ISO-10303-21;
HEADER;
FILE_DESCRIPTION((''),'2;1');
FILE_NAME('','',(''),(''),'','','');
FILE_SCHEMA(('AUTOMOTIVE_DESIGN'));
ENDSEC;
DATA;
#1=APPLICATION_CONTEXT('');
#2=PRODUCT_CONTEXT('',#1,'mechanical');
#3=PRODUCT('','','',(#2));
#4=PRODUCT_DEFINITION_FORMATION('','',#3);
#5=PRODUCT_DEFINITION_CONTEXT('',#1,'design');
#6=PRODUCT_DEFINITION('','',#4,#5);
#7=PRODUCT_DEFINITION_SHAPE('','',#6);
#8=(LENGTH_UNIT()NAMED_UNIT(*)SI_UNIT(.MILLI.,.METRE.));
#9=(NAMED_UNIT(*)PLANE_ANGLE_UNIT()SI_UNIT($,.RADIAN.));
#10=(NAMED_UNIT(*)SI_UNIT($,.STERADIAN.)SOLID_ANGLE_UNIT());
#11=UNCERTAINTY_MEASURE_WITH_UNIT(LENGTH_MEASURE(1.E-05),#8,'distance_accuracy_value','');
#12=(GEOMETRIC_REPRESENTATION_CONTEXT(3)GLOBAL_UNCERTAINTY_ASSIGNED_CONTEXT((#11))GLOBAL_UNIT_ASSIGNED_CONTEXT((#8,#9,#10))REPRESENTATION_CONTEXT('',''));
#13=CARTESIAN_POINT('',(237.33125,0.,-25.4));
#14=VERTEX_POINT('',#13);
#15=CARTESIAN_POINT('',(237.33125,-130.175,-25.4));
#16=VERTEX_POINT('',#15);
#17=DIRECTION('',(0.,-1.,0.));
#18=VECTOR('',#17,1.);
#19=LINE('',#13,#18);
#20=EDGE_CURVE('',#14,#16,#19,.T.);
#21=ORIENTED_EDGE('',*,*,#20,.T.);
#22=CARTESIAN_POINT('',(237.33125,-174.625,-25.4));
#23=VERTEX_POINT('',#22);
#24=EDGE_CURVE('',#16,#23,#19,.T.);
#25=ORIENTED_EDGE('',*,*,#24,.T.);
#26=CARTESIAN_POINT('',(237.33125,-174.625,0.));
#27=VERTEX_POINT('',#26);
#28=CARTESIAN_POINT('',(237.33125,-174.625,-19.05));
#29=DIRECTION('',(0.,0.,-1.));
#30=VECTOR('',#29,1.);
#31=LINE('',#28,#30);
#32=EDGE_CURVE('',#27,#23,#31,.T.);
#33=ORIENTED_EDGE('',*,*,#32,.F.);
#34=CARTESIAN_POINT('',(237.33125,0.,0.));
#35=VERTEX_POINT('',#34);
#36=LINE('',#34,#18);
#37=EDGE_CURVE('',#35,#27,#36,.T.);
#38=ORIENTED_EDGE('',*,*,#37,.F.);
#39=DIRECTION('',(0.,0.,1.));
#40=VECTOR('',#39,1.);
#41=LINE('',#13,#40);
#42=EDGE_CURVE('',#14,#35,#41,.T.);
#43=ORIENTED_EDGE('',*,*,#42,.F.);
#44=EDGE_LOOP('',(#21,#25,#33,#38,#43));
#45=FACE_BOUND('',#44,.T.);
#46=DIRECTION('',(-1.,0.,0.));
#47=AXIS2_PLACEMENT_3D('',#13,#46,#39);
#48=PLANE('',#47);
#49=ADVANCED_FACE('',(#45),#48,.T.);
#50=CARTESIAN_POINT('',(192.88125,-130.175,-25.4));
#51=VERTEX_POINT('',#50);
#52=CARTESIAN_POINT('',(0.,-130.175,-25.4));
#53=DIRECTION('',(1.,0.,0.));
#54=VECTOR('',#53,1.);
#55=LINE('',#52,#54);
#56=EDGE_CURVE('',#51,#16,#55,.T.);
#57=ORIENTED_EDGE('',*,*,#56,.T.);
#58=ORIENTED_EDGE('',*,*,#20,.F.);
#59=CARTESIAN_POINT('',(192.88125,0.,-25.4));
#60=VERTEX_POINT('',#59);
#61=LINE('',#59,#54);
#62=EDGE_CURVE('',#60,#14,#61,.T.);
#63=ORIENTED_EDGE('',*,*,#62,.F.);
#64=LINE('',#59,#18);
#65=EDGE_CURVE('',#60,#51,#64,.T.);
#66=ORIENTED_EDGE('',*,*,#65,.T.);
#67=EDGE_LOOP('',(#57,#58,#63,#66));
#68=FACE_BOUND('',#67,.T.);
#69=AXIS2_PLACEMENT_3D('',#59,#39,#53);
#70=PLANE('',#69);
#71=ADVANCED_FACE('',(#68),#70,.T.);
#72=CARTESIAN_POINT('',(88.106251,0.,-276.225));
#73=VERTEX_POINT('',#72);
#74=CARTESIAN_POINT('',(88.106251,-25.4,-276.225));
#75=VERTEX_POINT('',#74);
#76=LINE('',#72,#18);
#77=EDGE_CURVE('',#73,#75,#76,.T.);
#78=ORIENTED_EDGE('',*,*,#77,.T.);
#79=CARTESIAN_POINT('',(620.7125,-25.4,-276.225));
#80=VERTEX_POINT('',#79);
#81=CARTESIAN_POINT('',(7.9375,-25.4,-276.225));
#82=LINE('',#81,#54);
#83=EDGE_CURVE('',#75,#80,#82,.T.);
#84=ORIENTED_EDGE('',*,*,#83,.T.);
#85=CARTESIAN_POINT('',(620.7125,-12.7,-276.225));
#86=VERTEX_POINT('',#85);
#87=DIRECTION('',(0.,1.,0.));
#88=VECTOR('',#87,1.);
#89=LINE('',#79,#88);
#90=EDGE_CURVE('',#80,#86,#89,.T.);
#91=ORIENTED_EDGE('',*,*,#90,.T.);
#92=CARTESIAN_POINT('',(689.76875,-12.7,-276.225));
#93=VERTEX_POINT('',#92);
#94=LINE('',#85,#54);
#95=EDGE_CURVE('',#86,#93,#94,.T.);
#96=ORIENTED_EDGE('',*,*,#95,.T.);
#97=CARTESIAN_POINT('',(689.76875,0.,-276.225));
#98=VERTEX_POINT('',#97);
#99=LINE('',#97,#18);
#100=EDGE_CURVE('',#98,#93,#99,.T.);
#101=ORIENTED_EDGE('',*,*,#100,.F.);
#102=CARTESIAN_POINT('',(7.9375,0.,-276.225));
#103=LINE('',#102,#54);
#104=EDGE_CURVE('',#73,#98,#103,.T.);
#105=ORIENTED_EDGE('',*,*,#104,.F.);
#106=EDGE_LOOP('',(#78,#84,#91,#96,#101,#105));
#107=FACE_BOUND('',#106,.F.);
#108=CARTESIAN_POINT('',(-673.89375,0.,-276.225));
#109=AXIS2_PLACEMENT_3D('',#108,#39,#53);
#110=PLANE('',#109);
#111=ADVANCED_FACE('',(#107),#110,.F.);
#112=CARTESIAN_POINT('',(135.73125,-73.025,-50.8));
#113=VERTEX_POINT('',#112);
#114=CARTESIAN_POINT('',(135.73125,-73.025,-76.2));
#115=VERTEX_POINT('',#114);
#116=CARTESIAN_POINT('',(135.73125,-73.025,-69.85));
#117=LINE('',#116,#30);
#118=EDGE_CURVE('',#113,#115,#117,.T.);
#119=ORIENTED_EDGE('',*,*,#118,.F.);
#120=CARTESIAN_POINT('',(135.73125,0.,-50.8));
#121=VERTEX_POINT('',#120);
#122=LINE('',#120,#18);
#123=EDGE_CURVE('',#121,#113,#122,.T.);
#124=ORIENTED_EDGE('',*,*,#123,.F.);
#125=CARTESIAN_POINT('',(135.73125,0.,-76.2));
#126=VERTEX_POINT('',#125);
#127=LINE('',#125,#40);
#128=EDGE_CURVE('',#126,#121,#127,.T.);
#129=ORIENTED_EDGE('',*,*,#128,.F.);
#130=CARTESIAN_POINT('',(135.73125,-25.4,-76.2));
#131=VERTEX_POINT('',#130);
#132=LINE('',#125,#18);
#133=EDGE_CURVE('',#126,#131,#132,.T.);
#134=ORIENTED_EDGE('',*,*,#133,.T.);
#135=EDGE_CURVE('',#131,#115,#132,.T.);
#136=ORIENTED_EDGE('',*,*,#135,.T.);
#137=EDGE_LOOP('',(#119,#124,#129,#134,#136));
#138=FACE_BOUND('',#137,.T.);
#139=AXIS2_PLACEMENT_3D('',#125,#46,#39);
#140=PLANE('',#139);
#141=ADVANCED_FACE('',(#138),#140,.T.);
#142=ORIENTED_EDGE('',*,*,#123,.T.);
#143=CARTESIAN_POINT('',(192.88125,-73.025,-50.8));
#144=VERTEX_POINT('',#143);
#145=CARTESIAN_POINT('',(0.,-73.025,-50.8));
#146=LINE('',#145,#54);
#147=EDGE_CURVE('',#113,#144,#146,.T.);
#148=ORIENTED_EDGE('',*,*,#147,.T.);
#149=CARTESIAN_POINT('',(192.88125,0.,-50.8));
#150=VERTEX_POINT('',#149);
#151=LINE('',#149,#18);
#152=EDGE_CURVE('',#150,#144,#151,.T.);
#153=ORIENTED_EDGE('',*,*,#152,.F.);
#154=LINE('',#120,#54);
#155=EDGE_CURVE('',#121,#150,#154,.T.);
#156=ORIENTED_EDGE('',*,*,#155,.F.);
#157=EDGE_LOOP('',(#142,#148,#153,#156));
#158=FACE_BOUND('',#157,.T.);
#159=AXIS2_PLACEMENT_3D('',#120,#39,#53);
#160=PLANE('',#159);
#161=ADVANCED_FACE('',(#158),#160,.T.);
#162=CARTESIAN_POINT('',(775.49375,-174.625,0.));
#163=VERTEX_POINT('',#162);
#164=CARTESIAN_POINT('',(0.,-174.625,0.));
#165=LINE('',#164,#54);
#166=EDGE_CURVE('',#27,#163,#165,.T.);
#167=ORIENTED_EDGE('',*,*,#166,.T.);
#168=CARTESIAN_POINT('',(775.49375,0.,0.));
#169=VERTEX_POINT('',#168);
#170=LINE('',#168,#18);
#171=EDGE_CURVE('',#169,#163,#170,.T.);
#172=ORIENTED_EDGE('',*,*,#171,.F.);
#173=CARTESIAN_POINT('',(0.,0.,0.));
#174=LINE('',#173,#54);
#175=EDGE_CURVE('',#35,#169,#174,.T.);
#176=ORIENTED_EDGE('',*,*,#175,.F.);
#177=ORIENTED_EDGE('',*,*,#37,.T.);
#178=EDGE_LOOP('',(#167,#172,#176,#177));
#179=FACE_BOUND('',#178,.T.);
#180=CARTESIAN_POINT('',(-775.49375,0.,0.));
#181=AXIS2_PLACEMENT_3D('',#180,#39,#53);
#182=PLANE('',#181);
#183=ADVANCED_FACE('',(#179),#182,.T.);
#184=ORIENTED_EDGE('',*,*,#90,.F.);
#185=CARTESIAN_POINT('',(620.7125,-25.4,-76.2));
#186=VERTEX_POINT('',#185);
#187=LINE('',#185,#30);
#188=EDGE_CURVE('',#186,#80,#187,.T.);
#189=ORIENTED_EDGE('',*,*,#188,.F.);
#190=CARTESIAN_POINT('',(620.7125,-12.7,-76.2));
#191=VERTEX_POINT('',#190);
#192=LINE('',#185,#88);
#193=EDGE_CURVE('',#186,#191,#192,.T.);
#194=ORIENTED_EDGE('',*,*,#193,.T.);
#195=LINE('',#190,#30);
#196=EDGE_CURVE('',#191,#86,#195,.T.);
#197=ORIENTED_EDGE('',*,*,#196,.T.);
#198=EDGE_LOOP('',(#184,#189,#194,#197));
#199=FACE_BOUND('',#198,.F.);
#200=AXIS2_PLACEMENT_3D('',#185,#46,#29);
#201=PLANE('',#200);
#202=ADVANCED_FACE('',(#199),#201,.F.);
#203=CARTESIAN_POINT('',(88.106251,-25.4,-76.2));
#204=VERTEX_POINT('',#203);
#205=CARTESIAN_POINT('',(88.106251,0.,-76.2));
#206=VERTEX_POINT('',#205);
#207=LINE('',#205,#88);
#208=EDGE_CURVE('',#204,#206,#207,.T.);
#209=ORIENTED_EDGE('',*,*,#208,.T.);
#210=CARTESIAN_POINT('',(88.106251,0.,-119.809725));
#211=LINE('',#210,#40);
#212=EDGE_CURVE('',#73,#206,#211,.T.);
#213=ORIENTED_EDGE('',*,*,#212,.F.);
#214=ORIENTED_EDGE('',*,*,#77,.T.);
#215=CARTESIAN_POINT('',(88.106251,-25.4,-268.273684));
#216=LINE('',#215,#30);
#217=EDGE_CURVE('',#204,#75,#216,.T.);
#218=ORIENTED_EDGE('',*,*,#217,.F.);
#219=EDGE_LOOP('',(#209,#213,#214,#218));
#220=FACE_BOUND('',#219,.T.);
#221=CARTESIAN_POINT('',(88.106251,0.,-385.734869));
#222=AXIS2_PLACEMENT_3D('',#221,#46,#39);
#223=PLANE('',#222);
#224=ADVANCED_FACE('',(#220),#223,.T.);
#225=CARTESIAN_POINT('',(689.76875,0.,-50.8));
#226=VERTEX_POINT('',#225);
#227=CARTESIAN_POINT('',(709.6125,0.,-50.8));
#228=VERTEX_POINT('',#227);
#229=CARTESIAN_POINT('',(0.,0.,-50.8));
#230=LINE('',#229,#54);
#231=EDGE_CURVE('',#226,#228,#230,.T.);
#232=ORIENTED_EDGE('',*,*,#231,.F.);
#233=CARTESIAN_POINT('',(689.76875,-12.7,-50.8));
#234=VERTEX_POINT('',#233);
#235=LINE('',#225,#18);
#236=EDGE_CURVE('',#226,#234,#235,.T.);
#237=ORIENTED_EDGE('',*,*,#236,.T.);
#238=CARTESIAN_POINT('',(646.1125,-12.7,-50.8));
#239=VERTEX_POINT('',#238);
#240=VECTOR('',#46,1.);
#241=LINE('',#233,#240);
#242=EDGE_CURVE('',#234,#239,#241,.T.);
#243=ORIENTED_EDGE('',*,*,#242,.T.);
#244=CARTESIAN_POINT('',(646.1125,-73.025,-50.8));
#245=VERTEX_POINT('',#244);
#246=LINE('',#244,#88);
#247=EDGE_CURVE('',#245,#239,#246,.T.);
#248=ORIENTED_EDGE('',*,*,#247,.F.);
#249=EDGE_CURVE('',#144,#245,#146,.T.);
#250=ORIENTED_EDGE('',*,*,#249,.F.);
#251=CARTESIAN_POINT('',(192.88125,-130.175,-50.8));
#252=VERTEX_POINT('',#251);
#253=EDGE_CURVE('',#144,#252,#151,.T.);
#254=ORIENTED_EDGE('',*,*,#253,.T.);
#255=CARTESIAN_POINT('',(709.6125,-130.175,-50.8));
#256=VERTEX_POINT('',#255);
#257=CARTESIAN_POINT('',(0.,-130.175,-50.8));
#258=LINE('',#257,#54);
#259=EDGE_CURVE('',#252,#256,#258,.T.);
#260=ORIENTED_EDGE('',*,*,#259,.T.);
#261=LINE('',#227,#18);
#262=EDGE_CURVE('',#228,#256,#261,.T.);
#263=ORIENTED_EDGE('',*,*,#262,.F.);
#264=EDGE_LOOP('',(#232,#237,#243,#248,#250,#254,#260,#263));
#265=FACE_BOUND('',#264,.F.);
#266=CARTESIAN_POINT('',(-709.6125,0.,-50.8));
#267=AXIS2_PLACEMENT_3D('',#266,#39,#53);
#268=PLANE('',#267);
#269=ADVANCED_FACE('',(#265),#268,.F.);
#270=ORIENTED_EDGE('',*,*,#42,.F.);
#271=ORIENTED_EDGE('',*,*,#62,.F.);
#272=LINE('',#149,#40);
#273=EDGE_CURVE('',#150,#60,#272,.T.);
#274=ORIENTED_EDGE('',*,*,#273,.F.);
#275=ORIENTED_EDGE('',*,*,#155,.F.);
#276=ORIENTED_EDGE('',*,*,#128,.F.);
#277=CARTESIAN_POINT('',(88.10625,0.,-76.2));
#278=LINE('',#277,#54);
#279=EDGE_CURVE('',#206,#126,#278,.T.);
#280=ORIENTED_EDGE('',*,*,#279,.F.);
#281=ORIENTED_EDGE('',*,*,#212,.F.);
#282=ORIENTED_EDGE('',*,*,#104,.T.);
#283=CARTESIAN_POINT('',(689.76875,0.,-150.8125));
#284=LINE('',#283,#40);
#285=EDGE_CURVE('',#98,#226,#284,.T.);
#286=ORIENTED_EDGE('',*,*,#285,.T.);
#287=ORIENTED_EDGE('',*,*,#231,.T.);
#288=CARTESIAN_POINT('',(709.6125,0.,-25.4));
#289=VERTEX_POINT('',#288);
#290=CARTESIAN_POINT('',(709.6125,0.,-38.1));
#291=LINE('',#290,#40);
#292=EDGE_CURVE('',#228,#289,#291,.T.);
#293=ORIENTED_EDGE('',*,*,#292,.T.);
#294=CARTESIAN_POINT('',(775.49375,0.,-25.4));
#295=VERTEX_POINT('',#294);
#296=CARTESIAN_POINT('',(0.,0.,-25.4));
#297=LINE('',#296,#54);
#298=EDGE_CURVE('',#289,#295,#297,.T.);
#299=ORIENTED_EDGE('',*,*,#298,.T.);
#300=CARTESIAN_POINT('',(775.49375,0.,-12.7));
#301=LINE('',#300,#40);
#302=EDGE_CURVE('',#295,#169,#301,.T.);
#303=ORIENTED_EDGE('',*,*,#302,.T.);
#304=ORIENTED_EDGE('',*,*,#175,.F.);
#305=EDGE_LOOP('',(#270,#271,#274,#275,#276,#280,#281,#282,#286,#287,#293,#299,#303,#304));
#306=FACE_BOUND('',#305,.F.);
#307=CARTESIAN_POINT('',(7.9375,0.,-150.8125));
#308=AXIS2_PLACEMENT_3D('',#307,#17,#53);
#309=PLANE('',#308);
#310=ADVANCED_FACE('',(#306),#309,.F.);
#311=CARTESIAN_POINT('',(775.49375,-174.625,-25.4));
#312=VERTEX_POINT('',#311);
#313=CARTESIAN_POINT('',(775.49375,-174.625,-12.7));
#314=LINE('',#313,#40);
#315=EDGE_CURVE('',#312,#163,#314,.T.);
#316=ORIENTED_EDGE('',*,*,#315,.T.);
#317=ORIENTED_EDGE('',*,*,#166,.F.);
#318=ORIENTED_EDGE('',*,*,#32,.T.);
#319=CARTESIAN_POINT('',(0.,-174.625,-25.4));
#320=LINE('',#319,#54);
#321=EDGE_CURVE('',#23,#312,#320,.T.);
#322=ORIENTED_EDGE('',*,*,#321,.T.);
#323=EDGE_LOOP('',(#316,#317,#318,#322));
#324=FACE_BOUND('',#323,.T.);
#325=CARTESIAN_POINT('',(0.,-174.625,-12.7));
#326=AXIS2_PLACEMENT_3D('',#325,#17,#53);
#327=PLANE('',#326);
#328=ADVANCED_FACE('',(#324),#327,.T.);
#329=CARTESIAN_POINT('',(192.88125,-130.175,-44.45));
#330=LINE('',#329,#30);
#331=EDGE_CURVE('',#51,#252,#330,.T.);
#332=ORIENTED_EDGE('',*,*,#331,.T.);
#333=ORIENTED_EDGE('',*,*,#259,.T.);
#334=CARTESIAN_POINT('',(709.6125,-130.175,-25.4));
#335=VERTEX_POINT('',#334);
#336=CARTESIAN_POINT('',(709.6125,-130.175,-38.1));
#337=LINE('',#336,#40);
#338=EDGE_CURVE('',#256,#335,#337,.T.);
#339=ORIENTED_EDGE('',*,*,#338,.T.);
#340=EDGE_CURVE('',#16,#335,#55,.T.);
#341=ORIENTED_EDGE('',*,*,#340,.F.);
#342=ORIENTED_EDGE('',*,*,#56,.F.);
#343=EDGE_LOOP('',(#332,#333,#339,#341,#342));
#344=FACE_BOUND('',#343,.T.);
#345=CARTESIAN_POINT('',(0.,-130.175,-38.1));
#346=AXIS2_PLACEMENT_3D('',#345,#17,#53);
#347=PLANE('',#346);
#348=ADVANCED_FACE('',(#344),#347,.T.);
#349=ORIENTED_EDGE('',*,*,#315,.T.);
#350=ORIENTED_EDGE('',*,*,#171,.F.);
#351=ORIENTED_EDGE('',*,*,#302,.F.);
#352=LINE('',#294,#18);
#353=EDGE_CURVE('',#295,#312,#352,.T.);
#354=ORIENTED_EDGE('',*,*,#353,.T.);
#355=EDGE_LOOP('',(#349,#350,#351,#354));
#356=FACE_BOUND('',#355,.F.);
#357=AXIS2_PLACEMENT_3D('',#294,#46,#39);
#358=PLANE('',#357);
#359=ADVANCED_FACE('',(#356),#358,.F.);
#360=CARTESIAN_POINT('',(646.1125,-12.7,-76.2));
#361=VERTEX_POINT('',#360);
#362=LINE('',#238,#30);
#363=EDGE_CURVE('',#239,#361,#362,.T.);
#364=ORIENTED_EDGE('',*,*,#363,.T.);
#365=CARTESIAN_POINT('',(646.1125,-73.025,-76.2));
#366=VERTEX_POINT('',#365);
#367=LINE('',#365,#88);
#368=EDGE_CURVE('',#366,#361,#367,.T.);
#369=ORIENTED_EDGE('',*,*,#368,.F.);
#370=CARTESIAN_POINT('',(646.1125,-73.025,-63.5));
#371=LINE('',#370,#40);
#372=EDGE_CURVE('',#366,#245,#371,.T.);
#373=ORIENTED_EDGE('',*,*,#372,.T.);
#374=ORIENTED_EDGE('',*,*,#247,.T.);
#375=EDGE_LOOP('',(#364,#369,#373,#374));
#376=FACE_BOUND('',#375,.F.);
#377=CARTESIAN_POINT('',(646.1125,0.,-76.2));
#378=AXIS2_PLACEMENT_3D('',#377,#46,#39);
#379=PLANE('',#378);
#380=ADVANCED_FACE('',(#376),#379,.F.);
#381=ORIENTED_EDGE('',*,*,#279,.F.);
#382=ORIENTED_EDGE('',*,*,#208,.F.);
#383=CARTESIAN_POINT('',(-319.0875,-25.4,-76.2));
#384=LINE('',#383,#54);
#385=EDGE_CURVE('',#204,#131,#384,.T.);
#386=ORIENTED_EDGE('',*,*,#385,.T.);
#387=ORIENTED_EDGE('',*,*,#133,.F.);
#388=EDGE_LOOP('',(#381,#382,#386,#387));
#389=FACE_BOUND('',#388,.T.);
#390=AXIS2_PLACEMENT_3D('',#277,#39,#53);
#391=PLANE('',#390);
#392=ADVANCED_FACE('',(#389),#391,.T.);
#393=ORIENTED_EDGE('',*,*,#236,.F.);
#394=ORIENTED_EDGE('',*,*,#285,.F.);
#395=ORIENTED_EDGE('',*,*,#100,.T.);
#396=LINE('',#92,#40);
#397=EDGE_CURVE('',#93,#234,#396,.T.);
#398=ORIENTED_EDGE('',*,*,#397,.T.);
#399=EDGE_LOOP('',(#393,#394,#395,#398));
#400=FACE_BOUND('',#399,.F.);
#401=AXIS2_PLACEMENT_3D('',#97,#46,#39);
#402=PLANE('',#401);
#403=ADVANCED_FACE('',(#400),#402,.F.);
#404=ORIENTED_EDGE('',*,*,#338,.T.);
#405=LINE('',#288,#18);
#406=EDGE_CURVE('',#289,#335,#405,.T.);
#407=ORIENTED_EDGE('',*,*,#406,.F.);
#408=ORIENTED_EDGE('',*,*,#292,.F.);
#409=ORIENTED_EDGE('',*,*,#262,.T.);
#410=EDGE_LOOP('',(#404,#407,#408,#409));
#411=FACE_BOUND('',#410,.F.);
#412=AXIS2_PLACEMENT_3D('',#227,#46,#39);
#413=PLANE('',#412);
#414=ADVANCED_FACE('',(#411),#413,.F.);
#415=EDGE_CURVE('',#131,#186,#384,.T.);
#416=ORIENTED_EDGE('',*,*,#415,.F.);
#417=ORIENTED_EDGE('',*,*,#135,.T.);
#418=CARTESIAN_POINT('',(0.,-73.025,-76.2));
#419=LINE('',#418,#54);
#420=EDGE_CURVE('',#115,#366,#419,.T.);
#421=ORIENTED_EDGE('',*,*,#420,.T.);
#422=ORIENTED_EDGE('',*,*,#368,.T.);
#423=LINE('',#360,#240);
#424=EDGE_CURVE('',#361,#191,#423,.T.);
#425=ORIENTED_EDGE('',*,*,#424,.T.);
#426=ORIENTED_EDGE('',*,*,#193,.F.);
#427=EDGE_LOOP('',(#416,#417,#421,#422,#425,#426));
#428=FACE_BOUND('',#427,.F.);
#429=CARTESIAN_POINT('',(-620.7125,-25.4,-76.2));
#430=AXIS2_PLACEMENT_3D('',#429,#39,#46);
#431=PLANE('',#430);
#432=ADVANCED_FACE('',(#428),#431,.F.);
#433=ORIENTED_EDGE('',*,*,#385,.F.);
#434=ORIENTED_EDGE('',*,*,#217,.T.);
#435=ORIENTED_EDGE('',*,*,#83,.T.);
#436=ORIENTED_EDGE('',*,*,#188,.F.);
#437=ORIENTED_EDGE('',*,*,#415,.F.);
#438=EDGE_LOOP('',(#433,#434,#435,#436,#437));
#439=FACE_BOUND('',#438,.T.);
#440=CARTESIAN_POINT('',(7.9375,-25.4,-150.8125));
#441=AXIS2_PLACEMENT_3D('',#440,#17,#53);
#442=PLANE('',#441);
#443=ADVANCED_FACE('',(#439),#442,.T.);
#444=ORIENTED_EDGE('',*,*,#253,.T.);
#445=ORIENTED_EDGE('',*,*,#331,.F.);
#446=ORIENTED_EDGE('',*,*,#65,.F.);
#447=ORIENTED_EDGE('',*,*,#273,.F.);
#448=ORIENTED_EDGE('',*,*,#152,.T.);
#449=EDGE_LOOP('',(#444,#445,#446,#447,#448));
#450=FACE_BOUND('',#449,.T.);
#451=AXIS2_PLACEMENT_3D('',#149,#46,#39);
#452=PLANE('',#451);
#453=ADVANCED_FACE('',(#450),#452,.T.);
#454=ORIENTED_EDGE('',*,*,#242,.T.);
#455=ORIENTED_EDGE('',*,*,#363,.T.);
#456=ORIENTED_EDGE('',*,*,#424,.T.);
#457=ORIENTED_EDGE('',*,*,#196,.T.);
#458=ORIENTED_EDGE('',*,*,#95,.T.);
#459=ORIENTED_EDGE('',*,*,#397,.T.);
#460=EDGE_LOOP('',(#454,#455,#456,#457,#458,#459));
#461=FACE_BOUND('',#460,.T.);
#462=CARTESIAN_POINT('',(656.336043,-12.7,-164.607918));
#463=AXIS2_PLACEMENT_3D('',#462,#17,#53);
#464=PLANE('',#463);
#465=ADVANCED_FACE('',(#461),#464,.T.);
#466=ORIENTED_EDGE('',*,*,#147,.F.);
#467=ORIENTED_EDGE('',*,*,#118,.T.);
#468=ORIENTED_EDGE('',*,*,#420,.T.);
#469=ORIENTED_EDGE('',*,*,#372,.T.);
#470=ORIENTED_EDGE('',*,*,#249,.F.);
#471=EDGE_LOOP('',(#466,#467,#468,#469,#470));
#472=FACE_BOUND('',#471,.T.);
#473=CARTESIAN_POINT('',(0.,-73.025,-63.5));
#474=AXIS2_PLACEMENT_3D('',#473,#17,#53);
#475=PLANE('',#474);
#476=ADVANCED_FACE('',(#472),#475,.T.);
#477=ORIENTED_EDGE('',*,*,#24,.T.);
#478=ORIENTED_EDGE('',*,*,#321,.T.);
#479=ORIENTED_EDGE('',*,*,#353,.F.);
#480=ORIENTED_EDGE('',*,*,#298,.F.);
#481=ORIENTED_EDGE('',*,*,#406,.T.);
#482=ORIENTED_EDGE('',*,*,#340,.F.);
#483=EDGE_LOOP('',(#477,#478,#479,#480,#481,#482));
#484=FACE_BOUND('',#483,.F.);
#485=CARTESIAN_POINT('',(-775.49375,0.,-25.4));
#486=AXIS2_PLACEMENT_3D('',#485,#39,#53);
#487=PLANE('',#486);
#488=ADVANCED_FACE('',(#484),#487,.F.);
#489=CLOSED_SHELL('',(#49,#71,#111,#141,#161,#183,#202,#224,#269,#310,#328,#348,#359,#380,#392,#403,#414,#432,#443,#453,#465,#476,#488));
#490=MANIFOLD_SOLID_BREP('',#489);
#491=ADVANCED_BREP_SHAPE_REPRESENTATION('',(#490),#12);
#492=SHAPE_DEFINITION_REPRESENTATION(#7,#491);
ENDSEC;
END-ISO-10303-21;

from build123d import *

# Parameters (mm, degrees)
F0_W      = 1550.9875
F0_H      = 25.4
F1_DEPTH  = 174.625
F3_W      = 1419.225
F3_H      = 25.4
F4_DEPTH  = 130.175
F5_W      = 1292.225
F5_H      = 25.4
F6_DEPTH  = 73.025
F2_W      = 1363.6625
F2_H      = 250.825
F7_DEPTH  = 25.4
F9_DEPTH  = 12.7
F10_W     = 936.912687
F10_H     = 531.850287
F11_DEPTH = 174.626
F13_DEPTH = 174.626


with BuildPart() as f1:
    # F0 (on Front) → F1 (new body)
    with BuildSketch(Plane.XZ):
        with Locations((0, -12.7)):
            Rectangle(F0_W, F0_H)
    extrude(amount=F1_DEPTH)

    # F3 (on Front) → F4 (join)
    with BuildSketch(Plane.XZ):
        with Locations((0, -38.1)):
            Rectangle(F3_W, F3_H)
    extrude(amount=F4_DEPTH)

    # F5 (on Front) → F6 (join)
    with BuildSketch(Plane.XZ):
        with Locations((0, -63.5)):
            Rectangle(F5_W, F5_H)
    extrude(amount=F6_DEPTH)

    # F2 (on Front) → F7 (join)
    with BuildSketch(Plane.XZ):
        with Locations((7.9375, -150.8125)):
            Rectangle(F2_W, F2_H)
    extrude(amount=F7_DEPTH)

    # F8 (on face) → F9 (cut)
    with BuildSketch(Plane.XZ.offset(25.4)):
        Polygon((-673.89375, -50.8), (-673.89375, -276.225), (-620.7125, -276.225), (-620.7125, -76.2), (-646.1125, -76.2), (-646.1125, -50.8), align=None)
        Polygon((620.7125, -76.2), (620.7125, -276.225), (689.76875, -276.225), (689.76875, -50.8), (646.1125, -50.8), (646.1125, -76.2), align=None)
    extrude(amount=-F9_DEPTH, mode=Mode.SUBTRACT)

    # F10 (on Front) → F11 (cut, through all)
    with BuildSketch(Plane.XZ):
        with Locations((-380.350093, -119.809725)):
            Rectangle(F10_W, F10_H)
    extrude(amount=F11_DEPTH, mode=Mode.SUBTRACT)

    # F12 (on Front) → F13 (cut, through all)
    with BuildSketch(Plane.XZ):
        Polygon((237.33125, -25.4), (237.33125, 0), (148.372248, 68.829454), (-112.537719, 31.016426), (38.714431, -95.657267), (88.10625, -76.2), (135.73125, -76.2), (135.73125, -50.8), (192.88125, -50.8), (192.88125, -25.4), align=None)
    extrude(amount=F13_DEPTH, mode=Mode.SUBTRACT)


solid = f1.part
